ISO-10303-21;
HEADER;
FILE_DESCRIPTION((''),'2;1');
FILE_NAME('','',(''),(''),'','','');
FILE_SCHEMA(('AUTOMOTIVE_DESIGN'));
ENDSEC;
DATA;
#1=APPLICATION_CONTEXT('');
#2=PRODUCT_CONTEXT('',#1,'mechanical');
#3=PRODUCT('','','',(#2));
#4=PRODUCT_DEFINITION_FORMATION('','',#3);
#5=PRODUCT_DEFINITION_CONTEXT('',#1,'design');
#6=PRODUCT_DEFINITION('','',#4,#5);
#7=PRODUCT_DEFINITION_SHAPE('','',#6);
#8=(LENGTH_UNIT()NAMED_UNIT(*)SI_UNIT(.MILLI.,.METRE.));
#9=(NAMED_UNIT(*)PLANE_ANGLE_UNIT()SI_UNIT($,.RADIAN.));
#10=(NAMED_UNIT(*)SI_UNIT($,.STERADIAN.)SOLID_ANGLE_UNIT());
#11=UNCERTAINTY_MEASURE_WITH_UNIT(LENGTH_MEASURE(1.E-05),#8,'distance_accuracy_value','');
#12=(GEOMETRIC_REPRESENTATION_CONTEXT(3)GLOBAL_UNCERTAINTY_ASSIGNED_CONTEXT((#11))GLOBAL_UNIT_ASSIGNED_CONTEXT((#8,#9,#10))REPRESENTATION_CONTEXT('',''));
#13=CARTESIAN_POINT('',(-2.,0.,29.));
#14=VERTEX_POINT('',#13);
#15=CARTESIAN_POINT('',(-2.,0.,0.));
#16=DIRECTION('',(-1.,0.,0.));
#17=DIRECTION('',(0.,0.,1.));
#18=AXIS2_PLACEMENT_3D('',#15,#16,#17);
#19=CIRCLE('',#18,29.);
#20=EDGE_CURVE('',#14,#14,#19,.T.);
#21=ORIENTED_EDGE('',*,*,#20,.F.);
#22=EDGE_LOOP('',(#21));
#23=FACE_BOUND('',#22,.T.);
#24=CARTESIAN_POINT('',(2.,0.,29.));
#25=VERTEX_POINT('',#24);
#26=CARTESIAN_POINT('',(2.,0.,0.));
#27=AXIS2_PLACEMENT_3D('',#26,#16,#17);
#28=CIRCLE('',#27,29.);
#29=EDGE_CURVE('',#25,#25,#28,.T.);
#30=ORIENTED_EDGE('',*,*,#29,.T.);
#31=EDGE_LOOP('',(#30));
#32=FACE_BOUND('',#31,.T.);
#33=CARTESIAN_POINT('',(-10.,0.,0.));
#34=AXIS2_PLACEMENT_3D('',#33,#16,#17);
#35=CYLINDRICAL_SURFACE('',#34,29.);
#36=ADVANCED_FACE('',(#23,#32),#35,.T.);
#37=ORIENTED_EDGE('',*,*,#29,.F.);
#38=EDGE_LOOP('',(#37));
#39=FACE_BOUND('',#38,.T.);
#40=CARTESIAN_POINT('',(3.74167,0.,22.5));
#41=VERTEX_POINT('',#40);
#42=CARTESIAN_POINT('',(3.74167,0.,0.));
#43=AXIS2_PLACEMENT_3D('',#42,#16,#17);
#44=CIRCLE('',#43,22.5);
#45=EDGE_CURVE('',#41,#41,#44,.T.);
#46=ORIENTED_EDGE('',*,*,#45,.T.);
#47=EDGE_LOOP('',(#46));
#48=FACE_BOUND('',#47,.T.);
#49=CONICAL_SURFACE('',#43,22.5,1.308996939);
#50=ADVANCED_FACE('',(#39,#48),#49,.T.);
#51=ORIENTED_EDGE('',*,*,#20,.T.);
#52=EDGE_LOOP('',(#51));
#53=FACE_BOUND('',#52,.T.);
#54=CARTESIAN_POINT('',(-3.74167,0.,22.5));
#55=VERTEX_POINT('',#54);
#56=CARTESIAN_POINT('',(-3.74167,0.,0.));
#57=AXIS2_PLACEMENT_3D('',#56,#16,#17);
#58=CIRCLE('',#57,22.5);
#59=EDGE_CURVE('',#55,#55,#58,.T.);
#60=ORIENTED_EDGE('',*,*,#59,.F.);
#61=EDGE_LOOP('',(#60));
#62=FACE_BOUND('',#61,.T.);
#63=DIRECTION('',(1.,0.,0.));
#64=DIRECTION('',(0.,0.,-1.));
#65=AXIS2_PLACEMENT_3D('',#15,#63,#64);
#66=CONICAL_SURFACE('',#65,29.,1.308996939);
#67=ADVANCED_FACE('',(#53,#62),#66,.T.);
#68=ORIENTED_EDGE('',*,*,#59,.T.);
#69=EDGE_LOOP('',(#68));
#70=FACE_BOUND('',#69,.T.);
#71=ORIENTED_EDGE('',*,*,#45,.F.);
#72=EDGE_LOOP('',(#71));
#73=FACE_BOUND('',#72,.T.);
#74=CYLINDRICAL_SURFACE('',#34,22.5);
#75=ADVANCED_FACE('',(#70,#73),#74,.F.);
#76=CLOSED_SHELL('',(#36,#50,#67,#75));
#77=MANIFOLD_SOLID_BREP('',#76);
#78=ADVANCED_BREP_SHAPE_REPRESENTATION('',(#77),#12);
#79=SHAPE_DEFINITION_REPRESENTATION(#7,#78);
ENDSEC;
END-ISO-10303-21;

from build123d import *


with BuildPart() as part:
    # Ske → Revolve 314 (revolve)
    with BuildSketch(Plane.XY):
        Polygon((-2, 29), (2, 29), (3.741669751, 22.5), (-3.741669751, 22.5), align=None)
    revolve(axis=Axis((-10, 0, 0), (1, 0, 0)))


solid = part.part
